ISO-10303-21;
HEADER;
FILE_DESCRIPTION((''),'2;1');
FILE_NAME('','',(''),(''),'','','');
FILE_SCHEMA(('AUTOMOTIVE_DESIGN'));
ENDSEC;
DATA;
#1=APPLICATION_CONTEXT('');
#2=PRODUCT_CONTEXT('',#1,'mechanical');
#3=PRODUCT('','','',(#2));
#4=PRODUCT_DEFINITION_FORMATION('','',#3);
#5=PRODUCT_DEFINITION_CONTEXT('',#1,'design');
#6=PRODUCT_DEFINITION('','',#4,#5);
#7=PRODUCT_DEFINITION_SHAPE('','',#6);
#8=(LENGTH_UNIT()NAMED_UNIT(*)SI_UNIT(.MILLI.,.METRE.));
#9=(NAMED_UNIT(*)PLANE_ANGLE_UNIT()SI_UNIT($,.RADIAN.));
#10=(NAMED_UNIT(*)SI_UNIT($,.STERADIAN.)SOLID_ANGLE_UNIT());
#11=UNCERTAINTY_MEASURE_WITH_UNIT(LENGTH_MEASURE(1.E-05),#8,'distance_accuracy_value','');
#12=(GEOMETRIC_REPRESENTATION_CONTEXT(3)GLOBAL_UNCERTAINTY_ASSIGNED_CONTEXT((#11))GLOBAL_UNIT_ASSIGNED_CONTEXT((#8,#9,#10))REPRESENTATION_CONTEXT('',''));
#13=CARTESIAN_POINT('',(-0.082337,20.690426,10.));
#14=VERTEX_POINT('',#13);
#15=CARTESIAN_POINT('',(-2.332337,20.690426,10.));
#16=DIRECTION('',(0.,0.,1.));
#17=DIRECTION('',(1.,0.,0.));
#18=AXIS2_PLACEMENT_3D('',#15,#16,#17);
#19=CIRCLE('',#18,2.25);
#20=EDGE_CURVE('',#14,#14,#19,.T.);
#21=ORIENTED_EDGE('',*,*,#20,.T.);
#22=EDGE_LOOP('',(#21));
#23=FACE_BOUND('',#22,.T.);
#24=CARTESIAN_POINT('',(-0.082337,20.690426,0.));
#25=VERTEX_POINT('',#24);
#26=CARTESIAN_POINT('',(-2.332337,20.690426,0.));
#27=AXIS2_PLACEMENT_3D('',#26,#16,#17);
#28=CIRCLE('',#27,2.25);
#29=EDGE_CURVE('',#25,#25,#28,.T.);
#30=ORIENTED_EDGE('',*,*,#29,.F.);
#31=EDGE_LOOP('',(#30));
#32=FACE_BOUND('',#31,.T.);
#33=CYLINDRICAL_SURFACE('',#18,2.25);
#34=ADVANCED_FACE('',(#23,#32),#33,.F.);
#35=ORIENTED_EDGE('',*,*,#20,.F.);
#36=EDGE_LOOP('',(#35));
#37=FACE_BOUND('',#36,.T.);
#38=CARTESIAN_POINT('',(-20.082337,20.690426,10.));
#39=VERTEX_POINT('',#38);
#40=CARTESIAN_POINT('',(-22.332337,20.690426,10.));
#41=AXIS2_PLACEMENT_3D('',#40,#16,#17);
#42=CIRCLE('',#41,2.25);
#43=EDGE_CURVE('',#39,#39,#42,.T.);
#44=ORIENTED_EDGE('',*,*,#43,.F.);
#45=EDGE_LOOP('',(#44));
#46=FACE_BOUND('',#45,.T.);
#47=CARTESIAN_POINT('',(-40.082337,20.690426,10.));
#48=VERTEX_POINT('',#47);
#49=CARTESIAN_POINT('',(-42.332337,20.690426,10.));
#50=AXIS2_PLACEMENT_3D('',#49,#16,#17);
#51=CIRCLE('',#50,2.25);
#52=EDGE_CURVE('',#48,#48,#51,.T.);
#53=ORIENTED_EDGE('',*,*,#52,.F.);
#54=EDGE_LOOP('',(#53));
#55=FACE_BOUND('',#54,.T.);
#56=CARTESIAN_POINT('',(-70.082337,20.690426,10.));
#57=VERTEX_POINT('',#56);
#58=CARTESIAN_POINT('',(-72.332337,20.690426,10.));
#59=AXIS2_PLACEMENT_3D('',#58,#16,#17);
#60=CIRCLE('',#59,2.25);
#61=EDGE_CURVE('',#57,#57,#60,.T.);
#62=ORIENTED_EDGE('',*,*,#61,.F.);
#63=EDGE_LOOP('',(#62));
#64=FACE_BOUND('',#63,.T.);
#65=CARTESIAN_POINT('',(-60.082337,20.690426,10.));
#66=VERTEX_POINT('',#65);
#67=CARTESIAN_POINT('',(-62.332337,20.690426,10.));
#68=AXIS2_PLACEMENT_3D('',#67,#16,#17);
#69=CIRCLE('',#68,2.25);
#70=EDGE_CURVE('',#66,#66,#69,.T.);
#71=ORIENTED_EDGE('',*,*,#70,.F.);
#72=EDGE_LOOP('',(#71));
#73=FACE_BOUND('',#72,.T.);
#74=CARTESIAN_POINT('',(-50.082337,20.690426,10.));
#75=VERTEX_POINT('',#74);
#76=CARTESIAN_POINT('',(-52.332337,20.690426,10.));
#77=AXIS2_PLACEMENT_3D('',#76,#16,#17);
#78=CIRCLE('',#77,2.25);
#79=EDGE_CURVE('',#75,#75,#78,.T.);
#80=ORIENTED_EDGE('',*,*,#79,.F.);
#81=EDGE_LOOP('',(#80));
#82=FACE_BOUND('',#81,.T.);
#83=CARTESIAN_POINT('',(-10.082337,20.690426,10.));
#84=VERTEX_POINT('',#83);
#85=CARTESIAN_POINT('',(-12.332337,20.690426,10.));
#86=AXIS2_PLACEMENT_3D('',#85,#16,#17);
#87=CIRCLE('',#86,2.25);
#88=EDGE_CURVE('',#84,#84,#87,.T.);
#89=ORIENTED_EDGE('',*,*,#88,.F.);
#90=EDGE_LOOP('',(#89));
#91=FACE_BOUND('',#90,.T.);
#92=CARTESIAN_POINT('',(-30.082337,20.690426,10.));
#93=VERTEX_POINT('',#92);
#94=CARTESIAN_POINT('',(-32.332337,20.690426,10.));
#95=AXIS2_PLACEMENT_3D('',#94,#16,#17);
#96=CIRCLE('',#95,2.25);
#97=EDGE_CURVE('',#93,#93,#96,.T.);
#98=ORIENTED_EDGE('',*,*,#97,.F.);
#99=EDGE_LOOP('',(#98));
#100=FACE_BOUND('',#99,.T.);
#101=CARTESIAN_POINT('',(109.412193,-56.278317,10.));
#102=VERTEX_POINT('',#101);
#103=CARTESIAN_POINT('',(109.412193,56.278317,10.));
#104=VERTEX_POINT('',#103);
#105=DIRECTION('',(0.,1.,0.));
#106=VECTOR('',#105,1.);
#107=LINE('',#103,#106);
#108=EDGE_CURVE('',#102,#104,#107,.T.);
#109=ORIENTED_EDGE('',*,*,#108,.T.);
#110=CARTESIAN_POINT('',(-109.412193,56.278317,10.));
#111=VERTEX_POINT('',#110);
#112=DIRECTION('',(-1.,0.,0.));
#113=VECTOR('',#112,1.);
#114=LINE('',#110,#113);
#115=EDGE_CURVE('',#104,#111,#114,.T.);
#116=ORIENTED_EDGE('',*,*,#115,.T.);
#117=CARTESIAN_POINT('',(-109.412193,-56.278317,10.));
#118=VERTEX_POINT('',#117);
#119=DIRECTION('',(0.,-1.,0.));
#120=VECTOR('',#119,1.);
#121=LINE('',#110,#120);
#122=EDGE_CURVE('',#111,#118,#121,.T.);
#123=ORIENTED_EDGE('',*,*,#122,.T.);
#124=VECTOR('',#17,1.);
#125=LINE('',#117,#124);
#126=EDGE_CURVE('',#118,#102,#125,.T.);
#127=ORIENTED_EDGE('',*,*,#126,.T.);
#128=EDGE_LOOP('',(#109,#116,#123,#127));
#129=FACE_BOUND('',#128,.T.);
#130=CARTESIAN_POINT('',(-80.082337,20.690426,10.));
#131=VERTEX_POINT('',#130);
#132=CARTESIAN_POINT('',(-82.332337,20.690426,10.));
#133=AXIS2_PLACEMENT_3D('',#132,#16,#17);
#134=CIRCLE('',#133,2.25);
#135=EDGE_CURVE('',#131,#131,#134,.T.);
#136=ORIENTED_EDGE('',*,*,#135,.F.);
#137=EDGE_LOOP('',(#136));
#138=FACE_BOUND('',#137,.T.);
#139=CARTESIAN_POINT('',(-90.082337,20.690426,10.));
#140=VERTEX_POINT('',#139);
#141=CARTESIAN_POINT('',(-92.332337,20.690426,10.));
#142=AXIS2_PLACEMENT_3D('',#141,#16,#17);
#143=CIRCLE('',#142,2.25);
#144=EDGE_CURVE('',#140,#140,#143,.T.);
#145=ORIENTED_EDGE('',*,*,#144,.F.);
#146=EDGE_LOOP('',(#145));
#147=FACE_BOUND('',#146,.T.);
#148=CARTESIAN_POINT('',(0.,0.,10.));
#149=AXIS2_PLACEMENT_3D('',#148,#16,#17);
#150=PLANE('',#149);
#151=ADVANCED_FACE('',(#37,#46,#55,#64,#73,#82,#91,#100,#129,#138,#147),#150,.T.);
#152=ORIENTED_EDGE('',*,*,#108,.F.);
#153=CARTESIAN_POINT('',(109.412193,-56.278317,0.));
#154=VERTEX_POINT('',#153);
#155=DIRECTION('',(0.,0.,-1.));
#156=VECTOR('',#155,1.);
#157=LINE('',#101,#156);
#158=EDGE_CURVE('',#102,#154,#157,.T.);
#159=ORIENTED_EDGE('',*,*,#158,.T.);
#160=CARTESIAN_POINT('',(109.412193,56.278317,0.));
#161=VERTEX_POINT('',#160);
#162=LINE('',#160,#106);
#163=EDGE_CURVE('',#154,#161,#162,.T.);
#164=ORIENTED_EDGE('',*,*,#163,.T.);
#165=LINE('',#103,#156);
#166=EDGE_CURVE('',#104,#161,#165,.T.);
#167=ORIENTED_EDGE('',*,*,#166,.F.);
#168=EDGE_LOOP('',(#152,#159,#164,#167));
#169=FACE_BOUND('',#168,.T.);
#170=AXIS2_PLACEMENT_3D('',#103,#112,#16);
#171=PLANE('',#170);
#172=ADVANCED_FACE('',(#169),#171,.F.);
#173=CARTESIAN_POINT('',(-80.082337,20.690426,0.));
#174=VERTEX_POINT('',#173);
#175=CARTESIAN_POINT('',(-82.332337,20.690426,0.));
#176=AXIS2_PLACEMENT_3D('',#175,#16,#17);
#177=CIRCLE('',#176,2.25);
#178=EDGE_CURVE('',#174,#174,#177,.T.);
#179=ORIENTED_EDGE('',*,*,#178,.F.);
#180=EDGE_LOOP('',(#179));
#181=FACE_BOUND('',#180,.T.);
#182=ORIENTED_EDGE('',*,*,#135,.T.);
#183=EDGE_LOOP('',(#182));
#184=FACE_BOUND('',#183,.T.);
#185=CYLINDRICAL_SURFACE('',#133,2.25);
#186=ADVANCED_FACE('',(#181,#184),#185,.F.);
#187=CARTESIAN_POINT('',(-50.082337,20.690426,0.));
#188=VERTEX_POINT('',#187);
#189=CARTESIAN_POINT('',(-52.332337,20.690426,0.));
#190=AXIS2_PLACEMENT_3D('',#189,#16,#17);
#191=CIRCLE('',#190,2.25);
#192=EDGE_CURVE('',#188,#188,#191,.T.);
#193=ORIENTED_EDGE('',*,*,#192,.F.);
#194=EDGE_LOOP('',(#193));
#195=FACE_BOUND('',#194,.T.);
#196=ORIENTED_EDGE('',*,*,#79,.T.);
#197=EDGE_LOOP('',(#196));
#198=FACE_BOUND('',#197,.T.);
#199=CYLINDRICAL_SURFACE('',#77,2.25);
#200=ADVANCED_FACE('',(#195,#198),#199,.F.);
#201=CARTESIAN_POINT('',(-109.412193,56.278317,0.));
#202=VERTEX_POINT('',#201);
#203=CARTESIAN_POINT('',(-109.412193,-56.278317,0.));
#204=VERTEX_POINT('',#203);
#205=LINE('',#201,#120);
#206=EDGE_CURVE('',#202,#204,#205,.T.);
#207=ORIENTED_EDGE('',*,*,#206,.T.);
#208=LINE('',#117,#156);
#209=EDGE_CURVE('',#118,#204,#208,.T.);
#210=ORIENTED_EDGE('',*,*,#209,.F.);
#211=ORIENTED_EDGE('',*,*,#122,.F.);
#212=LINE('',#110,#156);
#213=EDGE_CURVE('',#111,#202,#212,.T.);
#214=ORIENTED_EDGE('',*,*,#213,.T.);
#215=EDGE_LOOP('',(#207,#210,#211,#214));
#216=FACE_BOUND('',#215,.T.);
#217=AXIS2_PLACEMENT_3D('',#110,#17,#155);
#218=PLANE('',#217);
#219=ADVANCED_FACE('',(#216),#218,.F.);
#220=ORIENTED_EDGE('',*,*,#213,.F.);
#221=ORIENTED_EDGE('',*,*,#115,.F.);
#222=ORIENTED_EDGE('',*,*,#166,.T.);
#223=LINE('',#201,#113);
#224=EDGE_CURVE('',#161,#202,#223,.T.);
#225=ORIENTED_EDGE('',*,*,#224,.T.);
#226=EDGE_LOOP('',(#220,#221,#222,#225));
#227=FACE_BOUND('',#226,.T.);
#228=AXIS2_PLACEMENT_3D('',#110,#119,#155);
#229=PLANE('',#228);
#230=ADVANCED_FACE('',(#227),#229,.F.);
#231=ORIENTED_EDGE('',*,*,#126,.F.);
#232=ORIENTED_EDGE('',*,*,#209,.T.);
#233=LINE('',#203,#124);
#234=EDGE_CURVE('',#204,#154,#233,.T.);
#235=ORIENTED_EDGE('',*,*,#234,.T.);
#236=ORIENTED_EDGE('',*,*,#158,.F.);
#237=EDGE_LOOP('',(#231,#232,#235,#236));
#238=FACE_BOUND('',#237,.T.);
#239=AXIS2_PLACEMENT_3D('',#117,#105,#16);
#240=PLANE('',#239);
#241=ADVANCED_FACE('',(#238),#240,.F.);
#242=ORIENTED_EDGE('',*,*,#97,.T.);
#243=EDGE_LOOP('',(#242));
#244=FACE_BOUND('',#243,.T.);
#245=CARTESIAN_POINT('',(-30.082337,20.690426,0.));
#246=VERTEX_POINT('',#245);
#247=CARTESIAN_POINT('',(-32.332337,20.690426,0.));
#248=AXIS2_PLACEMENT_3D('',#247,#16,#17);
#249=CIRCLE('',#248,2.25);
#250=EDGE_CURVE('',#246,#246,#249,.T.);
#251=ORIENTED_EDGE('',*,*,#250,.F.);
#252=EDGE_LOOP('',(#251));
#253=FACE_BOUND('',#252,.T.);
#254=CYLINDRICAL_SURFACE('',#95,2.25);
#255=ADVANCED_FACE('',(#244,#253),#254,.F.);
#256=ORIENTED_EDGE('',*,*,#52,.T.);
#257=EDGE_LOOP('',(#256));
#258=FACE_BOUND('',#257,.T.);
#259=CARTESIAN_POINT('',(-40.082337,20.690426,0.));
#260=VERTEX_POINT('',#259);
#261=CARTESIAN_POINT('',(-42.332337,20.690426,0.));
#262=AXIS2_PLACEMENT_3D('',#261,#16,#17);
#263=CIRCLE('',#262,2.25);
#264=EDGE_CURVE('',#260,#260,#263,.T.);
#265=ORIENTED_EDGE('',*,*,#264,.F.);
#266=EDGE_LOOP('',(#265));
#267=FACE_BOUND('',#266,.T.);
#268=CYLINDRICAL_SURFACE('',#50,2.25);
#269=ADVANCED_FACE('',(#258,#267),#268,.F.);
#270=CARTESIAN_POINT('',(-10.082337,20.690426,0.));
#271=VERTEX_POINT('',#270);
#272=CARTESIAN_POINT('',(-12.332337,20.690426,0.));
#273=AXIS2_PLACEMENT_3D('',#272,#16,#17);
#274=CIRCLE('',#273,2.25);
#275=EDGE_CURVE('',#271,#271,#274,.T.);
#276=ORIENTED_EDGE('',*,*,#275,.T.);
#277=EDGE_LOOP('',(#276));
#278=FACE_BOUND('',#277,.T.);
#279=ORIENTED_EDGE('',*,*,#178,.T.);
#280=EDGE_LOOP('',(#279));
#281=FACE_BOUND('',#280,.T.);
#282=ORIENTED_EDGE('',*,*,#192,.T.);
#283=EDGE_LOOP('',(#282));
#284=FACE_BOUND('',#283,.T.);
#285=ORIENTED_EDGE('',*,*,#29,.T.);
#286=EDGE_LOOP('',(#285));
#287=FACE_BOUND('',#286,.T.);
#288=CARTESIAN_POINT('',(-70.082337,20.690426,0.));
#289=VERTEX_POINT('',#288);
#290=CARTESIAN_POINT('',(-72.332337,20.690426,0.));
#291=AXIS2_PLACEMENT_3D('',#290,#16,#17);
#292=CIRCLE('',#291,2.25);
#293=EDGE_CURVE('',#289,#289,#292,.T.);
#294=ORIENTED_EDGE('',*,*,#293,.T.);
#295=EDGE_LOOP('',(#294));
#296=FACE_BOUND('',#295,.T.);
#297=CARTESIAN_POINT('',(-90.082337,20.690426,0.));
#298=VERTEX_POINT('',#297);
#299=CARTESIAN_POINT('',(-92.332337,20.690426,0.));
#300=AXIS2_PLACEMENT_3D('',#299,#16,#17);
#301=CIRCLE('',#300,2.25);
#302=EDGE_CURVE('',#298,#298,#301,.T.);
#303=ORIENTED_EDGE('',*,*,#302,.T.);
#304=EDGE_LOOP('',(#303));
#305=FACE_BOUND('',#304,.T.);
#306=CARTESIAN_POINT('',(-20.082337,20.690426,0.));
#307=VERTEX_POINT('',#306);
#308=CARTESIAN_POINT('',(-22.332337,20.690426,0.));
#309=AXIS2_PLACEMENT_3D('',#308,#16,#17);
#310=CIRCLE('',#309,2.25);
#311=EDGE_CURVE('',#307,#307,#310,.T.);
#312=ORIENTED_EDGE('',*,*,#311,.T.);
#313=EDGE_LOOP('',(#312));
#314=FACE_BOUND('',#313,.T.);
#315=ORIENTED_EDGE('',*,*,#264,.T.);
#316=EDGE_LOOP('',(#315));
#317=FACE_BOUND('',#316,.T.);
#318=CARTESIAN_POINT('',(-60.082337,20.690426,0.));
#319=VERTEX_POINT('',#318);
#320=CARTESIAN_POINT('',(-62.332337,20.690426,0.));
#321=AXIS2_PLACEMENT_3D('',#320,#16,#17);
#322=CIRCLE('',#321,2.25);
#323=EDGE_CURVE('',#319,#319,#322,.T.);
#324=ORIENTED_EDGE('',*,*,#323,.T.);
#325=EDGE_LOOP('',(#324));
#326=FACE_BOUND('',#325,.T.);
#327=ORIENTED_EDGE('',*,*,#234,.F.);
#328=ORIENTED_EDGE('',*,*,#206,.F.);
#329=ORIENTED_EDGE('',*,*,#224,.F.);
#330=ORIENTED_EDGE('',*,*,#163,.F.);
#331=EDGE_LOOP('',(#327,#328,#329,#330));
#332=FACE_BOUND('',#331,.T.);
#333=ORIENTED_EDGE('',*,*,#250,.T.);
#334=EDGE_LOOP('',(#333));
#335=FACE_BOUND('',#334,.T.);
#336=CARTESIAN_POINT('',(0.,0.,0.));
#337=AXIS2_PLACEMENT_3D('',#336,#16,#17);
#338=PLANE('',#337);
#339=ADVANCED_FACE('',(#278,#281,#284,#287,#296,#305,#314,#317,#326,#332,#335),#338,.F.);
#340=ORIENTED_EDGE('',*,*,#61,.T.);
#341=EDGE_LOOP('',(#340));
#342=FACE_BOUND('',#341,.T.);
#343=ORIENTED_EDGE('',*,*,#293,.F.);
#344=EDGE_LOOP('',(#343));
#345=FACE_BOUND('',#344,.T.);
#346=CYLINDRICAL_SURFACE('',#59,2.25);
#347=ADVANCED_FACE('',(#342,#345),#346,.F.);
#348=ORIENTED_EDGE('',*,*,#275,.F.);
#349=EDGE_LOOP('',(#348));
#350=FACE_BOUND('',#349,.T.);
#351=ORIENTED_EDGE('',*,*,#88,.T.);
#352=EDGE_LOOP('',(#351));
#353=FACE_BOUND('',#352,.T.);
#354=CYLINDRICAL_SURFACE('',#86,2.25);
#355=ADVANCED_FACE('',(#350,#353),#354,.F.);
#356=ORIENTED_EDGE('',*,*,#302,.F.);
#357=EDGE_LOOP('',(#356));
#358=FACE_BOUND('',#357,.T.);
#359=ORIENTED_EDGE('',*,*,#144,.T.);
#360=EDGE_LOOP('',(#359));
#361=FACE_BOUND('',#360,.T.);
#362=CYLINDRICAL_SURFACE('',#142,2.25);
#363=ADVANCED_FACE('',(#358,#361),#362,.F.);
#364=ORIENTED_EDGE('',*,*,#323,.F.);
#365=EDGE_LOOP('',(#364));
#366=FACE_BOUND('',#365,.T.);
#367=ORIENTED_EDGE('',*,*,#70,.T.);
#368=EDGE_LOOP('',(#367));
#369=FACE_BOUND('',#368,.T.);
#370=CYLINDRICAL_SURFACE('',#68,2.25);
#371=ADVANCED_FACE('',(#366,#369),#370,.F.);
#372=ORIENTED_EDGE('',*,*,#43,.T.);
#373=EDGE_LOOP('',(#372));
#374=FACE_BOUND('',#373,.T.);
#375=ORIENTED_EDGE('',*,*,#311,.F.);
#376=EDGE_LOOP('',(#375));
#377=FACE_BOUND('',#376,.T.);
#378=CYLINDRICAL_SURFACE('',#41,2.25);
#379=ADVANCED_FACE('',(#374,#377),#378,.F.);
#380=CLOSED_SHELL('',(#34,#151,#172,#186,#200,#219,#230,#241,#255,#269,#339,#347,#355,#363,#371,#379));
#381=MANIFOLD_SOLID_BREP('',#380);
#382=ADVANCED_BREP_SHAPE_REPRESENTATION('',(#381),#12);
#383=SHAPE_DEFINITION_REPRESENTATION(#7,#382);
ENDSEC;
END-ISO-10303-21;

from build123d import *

# Parameters (mm, degrees)
ESQUISSE1_W                = 218.82438545
ESQUISSE1_H                = 112.55663444
BOSS_EXTRU_1_DEPTH         = 10
D_GAGEMENT_M41_D           = 4.5
D_GAGEMENT_M41_DEPTH       = 10
R_P_TITION_LIN_AIRE1_COUNT = 10
R_P_TITION_LIN_AIRE1_PITCH = 10


with BuildPart() as part:
    # Esquisse1 → Boss.-Extru.1 (new body)
    with BuildSketch(Plane.XY):
        Rectangle(ESQUISSE1_W, ESQUISSE1_H)
    extrude(amount=BOSS_EXTRU_1_DEPTH)

    # Dégagement M41
    with Locations(Plane.XY.offset(10)):
        with Locations((-92.332337332, 20.690425989)):
            d_gagement_m41 = Hole(D_GAGEMENT_M41_D / 2, depth=D_GAGEMENT_M41_DEPTH)

    # Répétition linéaire1: Dégagement M41 ×10
    with Locations(*[(i * R_P_TITION_LIN_AIRE1_PITCH, 0, 0) for i in range(1, R_P_TITION_LIN_AIRE1_COUNT)]):
        add(d_gagement_m41, mode=Mode.SUBTRACT)


solid = part.part
